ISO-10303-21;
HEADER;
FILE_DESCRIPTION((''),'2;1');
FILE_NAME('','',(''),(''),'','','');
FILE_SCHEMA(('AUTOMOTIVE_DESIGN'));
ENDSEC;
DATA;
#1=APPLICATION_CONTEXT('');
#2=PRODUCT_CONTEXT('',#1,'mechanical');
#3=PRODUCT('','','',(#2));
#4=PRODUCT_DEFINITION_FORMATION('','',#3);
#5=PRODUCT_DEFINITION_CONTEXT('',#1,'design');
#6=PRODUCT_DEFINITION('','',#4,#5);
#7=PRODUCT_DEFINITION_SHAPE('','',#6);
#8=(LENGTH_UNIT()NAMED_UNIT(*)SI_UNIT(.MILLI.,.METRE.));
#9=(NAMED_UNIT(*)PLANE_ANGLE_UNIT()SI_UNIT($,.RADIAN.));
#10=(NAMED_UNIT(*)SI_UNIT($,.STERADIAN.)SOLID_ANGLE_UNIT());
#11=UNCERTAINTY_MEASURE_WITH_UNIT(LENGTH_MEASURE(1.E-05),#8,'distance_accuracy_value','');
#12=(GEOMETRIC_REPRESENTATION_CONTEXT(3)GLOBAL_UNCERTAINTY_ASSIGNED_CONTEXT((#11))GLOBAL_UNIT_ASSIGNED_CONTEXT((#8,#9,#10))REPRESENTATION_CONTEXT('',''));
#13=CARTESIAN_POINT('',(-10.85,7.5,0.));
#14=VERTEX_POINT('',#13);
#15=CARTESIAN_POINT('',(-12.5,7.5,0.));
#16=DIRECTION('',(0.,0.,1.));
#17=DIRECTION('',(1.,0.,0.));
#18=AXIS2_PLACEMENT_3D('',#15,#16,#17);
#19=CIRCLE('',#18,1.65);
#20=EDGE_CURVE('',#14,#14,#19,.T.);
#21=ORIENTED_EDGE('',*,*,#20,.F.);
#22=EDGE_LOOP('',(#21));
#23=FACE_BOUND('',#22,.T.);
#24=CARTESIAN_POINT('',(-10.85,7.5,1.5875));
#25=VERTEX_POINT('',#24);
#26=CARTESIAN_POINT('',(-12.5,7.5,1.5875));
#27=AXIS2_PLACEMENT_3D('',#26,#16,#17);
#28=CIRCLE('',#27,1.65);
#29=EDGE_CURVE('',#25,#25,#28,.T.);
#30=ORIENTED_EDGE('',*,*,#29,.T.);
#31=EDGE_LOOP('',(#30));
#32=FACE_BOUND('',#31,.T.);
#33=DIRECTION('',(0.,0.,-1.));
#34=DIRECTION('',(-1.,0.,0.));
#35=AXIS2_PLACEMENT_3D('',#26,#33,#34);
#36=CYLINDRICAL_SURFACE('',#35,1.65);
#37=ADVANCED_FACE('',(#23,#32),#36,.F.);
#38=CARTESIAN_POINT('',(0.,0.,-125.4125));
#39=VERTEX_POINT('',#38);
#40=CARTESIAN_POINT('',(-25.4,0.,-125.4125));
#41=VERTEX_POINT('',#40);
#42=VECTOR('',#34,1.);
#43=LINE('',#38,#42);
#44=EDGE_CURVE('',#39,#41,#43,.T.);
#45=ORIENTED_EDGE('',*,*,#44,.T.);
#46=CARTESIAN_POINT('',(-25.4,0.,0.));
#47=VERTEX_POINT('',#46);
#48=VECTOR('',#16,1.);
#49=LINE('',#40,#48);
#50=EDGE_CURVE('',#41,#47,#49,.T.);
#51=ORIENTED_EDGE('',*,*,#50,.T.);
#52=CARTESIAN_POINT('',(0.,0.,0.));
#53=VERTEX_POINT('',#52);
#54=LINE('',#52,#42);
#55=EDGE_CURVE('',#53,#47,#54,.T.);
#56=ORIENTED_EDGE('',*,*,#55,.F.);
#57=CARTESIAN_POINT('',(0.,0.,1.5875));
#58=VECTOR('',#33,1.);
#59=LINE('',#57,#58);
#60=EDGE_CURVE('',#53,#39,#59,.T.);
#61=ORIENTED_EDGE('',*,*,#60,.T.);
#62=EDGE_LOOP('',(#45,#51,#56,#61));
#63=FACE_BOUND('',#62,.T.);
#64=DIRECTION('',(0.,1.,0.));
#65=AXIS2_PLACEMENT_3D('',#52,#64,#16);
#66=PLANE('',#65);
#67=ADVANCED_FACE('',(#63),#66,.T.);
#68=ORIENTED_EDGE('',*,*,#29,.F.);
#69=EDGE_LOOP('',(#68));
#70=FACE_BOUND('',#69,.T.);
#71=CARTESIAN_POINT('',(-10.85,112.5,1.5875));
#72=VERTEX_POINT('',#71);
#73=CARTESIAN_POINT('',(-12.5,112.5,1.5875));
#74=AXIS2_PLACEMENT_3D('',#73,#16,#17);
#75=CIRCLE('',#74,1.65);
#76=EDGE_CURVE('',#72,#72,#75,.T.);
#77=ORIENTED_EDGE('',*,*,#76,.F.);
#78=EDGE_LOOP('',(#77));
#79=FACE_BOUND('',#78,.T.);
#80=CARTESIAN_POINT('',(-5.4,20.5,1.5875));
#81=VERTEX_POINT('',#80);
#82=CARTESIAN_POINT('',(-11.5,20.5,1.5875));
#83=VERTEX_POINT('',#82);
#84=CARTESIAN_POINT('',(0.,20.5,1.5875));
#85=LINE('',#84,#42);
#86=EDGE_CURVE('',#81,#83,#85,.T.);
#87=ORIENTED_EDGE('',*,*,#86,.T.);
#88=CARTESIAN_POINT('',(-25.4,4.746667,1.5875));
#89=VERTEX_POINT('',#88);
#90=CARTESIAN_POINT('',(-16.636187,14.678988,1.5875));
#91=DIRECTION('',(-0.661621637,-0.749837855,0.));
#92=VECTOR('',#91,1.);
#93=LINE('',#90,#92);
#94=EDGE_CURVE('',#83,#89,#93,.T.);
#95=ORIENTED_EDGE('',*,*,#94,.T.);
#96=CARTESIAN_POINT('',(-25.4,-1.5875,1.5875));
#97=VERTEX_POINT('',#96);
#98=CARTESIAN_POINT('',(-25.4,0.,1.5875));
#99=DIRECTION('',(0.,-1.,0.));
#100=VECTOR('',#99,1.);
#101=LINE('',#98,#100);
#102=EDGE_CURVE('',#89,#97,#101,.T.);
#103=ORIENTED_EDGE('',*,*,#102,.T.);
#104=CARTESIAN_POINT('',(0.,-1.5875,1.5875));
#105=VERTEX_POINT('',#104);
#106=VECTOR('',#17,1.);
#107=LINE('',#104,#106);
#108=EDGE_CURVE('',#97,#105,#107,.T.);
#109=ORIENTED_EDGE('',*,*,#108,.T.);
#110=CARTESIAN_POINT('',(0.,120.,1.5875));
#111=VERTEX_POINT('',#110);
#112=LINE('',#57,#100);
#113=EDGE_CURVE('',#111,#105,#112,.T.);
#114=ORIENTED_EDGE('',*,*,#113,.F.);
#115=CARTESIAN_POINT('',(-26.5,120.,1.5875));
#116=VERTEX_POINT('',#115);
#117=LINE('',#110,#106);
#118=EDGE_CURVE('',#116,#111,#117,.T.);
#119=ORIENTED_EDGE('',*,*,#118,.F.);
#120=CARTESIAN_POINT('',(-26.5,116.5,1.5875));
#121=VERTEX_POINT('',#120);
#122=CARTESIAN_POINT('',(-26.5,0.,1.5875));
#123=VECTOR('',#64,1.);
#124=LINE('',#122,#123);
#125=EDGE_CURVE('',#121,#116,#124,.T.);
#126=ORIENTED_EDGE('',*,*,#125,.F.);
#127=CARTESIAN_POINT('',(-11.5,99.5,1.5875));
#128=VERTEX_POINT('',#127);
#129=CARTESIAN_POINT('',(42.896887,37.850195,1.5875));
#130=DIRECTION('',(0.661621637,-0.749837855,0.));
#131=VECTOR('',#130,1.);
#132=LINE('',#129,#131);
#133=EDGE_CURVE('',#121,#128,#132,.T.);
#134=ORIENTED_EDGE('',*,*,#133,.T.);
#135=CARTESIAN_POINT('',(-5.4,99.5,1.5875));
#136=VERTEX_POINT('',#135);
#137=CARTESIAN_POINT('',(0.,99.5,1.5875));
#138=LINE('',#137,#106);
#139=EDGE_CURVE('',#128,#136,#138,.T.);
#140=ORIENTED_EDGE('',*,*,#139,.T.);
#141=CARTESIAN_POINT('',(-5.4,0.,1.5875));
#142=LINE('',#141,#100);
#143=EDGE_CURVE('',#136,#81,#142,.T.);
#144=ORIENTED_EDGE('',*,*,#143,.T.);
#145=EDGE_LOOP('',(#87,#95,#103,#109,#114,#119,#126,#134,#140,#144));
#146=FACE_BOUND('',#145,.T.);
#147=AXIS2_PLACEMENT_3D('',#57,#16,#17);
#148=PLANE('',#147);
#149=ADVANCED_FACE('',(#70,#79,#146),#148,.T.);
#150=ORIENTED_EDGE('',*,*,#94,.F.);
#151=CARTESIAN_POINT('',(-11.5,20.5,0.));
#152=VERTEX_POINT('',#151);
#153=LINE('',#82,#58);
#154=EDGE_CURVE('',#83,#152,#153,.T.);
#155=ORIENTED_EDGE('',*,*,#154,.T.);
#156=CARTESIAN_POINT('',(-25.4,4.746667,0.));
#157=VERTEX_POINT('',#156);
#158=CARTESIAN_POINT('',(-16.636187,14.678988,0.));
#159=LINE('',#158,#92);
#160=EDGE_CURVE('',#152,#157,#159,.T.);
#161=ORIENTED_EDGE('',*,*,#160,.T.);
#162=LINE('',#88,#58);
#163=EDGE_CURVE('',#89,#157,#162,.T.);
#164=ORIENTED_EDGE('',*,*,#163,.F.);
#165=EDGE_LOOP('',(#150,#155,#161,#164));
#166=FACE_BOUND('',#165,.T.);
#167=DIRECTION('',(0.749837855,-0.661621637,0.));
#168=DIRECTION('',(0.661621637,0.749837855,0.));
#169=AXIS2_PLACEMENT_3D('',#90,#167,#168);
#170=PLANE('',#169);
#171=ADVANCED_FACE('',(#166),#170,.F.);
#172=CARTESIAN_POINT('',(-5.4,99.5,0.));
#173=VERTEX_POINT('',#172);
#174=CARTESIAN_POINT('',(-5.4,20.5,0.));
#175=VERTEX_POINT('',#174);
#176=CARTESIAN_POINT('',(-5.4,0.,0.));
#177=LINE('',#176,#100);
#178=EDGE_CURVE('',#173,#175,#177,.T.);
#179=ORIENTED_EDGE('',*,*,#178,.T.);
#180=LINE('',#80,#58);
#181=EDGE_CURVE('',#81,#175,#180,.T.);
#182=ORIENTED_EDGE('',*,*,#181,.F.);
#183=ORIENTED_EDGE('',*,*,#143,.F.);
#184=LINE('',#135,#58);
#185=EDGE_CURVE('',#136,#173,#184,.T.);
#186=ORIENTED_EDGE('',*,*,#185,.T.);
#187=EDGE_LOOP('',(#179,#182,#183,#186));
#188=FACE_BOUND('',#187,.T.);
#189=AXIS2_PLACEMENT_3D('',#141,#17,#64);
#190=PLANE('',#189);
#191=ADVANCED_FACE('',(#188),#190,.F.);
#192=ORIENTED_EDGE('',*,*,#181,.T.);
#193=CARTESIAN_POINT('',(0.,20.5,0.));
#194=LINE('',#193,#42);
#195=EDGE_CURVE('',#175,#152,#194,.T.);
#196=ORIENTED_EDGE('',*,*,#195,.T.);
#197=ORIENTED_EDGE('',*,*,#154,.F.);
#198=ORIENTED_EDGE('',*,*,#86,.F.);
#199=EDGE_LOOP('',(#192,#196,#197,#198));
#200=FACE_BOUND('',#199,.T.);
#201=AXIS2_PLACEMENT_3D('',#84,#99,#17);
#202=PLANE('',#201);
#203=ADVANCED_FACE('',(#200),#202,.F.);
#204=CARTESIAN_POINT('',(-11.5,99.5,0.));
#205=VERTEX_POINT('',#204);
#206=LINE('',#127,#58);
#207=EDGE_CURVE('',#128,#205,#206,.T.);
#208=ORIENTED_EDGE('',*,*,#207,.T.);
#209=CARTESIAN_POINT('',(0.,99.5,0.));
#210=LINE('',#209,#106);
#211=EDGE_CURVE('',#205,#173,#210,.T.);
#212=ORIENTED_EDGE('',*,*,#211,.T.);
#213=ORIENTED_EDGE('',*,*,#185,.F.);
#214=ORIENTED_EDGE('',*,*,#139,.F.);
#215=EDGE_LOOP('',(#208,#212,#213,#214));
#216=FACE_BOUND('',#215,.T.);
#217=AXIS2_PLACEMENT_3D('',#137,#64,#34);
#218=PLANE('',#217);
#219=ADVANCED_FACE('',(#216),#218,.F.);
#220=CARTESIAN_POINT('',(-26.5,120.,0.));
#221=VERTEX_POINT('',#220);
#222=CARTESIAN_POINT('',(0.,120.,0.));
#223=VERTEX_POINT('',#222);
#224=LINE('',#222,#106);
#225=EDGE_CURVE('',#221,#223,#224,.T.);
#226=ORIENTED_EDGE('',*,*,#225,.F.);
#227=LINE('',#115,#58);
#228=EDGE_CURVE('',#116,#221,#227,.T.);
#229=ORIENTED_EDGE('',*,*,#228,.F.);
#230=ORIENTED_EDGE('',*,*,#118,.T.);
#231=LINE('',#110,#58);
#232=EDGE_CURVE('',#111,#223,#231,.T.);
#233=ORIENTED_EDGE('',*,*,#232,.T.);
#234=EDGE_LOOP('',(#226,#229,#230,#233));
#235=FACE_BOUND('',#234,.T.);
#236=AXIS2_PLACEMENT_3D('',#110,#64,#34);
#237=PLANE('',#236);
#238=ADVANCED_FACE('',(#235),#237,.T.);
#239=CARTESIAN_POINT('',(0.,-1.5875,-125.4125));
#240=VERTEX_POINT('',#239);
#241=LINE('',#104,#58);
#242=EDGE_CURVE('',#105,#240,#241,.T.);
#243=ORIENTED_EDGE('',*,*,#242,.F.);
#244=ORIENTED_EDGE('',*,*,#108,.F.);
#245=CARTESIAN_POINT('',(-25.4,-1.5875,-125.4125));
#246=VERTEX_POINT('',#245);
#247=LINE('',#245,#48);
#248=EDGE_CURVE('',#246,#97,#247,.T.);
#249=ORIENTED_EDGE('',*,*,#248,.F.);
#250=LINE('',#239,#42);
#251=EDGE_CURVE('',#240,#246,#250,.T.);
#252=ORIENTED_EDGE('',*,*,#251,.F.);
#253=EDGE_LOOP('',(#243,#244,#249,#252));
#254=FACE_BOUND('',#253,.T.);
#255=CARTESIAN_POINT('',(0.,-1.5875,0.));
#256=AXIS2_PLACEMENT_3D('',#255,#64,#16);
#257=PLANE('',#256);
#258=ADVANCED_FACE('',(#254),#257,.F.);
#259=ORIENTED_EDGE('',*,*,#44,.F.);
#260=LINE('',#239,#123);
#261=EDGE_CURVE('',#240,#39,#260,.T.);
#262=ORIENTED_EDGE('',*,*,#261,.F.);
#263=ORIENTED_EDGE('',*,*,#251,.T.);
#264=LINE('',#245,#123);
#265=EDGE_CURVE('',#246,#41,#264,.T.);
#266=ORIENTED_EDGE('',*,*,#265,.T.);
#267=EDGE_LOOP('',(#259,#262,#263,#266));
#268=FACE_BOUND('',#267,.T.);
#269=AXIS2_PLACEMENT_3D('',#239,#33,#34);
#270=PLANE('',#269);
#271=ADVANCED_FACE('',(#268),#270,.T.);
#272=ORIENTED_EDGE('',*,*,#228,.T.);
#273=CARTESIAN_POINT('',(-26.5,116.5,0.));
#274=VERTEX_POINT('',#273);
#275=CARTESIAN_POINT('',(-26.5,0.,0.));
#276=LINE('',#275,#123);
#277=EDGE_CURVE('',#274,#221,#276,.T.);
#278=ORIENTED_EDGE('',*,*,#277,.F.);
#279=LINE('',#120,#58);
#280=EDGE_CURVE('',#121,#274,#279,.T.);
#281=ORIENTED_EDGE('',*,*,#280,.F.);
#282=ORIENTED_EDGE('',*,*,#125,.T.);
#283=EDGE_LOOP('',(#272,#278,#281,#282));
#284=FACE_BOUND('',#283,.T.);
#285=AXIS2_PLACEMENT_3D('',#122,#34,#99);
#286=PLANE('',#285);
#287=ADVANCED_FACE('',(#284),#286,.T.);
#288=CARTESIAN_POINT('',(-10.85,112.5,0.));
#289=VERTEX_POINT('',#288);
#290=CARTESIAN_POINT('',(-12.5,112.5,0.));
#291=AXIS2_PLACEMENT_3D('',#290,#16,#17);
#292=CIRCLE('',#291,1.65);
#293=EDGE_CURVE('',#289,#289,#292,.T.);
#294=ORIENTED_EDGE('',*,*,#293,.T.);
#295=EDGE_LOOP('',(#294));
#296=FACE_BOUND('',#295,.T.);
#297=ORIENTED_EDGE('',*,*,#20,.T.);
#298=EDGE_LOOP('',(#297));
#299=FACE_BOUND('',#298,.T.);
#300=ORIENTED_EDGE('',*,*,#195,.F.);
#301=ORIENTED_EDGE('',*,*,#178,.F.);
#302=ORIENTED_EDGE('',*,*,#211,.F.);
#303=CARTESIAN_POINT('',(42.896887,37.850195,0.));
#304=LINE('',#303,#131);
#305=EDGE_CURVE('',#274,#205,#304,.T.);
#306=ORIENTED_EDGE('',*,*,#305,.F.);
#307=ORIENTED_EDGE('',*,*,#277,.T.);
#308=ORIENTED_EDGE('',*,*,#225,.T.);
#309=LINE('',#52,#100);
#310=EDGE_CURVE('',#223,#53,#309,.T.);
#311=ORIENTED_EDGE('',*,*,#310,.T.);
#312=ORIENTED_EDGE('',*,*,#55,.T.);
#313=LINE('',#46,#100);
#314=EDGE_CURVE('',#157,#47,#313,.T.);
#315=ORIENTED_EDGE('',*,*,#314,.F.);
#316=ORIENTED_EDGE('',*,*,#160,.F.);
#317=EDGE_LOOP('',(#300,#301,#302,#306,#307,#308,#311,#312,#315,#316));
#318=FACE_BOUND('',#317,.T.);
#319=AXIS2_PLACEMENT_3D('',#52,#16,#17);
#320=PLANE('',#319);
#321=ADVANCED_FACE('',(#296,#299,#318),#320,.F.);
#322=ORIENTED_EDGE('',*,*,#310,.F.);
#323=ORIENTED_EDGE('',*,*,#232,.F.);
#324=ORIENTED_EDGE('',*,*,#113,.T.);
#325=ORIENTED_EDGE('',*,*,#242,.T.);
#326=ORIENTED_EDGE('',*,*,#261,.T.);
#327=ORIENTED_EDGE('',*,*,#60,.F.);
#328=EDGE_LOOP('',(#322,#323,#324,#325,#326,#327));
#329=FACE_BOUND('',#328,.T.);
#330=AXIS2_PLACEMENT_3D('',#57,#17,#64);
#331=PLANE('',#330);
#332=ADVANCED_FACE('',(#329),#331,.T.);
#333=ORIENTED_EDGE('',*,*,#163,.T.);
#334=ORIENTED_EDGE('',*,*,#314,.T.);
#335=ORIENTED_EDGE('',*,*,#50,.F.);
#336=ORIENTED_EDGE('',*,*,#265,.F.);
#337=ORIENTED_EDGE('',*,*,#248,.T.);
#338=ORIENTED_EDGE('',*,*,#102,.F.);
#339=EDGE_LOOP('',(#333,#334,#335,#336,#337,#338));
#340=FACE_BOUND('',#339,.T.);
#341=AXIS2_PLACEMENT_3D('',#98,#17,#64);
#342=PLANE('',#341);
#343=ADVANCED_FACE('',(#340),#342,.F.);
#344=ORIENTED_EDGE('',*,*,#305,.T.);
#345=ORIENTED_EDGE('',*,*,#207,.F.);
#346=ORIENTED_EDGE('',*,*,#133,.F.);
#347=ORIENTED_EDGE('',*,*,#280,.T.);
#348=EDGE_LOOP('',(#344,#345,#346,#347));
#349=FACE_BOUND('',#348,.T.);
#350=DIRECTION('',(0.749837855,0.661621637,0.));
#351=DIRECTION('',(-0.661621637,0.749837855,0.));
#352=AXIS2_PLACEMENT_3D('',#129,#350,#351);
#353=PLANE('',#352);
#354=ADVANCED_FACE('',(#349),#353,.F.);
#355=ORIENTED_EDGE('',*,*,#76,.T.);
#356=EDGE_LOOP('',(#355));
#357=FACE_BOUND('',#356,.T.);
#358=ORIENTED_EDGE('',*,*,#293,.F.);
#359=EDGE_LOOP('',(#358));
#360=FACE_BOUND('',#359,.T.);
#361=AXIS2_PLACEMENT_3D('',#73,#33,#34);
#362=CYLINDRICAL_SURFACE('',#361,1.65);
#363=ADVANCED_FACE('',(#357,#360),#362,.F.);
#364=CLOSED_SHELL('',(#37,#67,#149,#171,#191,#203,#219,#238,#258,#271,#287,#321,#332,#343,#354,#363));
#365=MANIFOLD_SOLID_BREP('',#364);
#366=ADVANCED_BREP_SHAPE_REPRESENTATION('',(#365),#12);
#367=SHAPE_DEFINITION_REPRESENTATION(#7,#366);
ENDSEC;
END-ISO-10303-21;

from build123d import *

# Parameters (mm, degrees)
BOSS_EXTRUDE1_DEPTH = 1.5875
SKETCH2_W           = 25.4
SKETCH2_H           = 127
BOSS_EXTRUDE2_DEPTH = 1.5875


with BuildPart() as part:
    # Sketch1 → Boss-Extrude1 (new body)
    with BuildSketch(Plane.XY):
        Polygon((0, 120), (-26.5, 120), (-26.5, 116.5), (-11.5, 99.5), (-5.4, 99.5), (-5.4, 20.5), (-11.5, 20.5), (-25.4, 4.746666667), (-25.4, 0), (0, 0), align=None)
        with BuildLine():
            ThreePointArc((-10.85, 7.5), (-12.5, 5.85), (-14.15, 7.5))
            ThreePointArc((-14.15, 7.5), (-12.5, 9.15), (-10.85, 7.5))
        make_face(mode=Mode.SUBTRACT)
        with BuildLine():
            ThreePointArc((-10.85, 112.5), (-12.5, 110.85), (-14.15, 112.5))
            ThreePointArc((-14.15, 112.5), (-12.5, 114.15), (-10.85, 112.5))
        make_face(mode=Mode.SUBTRACT)
    extrude(amount=BOSS_EXTRUDE1_DEPTH)

    # Sketch2 → Boss-Extrude2 (add)
    with BuildSketch(Plane(origin=(0, 0, 0), x_dir=(1, 0, 0), z_dir=(0, 1, 0))):
        with Locations((-12.7, 61.9125)):
            Rectangle(SKETCH2_W, SKETCH2_H)
    extrude(amount=-BOSS_EXTRUDE2_DEPTH)


solid = part.part
